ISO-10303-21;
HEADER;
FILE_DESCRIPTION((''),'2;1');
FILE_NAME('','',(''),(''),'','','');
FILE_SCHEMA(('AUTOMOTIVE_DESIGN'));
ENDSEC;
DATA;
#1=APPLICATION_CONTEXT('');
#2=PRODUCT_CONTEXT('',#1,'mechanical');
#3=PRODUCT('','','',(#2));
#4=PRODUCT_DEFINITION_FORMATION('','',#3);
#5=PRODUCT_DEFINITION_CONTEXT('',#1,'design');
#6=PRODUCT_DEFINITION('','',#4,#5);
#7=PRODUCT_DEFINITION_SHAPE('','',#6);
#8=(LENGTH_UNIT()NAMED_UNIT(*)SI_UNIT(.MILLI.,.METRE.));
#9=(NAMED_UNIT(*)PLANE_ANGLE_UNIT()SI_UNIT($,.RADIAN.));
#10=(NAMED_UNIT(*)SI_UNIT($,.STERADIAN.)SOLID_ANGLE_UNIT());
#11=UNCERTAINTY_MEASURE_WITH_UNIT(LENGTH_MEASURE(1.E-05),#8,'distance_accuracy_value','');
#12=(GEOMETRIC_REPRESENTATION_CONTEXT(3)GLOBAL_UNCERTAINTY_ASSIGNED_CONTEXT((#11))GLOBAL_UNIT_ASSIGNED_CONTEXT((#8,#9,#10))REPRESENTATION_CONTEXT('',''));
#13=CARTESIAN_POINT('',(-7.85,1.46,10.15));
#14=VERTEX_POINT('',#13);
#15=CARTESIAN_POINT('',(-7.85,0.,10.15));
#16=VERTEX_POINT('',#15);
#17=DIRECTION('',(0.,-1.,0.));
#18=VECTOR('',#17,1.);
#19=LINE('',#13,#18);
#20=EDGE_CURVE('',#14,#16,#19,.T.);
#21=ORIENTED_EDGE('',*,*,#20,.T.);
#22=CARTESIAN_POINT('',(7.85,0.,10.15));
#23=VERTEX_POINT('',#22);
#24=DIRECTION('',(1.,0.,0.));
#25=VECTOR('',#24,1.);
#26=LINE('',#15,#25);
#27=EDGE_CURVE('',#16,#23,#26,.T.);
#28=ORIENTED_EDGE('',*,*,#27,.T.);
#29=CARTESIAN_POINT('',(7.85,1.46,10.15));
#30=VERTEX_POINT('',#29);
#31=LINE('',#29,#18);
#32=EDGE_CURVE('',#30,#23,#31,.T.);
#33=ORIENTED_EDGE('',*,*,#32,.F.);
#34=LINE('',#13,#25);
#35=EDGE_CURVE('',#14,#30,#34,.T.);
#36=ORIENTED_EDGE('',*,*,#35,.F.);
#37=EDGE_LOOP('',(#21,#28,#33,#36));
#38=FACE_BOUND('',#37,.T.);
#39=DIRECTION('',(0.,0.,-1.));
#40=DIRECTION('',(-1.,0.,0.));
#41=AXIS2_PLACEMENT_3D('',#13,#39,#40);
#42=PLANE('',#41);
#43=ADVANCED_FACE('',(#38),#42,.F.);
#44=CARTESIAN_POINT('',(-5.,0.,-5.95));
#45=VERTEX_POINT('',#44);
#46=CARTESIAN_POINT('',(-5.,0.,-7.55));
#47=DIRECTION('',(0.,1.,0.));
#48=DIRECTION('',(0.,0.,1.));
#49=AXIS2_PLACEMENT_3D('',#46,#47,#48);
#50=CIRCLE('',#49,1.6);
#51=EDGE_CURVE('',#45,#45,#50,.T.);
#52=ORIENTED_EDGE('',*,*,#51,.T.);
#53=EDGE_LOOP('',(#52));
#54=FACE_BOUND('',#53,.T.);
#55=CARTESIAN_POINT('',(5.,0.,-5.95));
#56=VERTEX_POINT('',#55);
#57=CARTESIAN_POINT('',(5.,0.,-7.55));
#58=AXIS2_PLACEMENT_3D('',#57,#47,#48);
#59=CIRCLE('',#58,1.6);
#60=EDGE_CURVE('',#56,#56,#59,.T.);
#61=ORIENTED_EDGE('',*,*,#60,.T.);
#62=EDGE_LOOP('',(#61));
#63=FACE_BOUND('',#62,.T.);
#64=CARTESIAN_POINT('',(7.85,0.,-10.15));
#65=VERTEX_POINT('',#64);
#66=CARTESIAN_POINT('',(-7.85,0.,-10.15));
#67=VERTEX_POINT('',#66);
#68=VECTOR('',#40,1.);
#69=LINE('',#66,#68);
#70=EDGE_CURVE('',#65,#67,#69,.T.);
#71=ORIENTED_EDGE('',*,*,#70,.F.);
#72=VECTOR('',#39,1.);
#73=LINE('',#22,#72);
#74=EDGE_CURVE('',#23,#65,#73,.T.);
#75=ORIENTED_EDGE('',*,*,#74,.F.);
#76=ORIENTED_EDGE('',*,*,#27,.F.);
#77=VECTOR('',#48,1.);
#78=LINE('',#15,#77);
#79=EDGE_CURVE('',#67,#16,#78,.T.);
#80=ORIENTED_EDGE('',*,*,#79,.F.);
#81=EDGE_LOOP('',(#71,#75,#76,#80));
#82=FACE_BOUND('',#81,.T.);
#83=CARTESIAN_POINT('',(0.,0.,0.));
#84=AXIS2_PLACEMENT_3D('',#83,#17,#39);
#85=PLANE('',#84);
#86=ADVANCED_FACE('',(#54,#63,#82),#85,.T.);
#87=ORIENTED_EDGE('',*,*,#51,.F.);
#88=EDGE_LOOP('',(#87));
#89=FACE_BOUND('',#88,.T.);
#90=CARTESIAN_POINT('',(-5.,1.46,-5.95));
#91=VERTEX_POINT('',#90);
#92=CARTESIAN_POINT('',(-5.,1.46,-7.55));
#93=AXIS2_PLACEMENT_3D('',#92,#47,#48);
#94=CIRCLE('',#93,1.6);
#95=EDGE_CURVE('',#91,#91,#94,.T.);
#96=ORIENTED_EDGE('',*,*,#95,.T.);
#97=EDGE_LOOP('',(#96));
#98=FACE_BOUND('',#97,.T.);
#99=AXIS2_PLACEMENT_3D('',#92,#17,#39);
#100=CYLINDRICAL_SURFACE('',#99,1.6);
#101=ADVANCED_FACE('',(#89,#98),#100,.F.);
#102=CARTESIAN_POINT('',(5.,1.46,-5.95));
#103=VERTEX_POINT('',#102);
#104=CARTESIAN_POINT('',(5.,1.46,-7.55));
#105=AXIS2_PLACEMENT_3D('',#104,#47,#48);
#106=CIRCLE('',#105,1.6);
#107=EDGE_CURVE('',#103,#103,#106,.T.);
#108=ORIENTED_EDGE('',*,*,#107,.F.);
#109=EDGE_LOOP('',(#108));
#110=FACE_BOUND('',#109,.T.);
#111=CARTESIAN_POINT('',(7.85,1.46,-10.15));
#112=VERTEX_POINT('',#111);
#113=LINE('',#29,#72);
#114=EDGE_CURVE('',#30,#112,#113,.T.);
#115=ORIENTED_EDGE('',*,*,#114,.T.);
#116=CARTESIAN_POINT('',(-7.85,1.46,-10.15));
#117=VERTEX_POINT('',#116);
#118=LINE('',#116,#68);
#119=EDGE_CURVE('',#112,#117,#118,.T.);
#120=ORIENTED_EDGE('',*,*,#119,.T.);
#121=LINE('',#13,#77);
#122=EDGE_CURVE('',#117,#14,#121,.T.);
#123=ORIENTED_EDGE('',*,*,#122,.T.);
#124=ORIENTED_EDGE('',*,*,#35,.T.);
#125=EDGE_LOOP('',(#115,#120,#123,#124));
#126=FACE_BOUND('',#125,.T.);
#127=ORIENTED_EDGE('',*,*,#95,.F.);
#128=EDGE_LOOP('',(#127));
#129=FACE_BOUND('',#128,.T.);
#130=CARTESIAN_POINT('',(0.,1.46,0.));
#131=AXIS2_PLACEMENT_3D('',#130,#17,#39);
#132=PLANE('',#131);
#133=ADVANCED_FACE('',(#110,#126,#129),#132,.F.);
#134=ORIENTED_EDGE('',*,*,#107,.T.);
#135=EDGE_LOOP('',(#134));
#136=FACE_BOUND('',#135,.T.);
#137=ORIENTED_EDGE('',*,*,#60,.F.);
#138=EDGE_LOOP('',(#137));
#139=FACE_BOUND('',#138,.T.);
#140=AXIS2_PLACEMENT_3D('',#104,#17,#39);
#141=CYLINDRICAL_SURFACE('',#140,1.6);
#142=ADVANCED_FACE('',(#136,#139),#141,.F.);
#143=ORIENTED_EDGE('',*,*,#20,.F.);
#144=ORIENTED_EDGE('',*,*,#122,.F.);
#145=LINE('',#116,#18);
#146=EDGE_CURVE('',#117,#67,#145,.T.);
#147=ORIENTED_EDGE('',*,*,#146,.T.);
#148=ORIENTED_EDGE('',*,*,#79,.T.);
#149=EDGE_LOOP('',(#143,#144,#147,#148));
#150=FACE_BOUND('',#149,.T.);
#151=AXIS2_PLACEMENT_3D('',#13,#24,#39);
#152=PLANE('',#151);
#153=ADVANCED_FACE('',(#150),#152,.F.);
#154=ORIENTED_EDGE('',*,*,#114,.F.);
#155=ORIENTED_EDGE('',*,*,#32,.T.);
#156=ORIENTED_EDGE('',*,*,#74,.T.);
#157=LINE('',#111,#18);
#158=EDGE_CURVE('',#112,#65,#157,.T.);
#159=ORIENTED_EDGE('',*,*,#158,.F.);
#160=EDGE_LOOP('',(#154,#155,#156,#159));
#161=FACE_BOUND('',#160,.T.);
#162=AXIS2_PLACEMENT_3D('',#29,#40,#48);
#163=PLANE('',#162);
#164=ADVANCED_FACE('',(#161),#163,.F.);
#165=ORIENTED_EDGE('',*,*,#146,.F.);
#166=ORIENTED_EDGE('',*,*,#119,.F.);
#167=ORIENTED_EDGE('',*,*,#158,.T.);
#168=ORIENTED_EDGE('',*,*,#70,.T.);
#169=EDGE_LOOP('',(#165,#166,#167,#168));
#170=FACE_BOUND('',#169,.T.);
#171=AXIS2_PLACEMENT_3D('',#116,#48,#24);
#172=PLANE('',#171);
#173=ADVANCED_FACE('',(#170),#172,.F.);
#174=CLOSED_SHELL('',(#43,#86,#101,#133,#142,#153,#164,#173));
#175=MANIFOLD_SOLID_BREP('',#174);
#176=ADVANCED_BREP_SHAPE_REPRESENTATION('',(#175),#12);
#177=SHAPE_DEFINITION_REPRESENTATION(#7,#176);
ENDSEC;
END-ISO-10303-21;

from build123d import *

# Parameters (mm, degrees)
SKETCH1_W           = 15.7
SKETCH1_H           = 20.3
SKETCH1_R           = 1.6
BOSS_EXTRUDE1_DEPTH = 1.46


with BuildPart() as part:
    # Sketch1 → Boss-Extrude1 (new body)
    with BuildSketch(Plane(origin=(0, 0, 0), x_dir=(1, 0, 0), z_dir=(0, 1, 0))):
        Rectangle(SKETCH1_W, SKETCH1_H)
        with Locations((-5, 7.55)):
            Circle(SKETCH1_R, mode=Mode.SUBTRACT)
        with Locations((5, 7.55)):
            Circle(SKETCH1_R, mode=Mode.SUBTRACT)
    extrude(amount=BOSS_EXTRUDE1_DEPTH)


solid = part.part
